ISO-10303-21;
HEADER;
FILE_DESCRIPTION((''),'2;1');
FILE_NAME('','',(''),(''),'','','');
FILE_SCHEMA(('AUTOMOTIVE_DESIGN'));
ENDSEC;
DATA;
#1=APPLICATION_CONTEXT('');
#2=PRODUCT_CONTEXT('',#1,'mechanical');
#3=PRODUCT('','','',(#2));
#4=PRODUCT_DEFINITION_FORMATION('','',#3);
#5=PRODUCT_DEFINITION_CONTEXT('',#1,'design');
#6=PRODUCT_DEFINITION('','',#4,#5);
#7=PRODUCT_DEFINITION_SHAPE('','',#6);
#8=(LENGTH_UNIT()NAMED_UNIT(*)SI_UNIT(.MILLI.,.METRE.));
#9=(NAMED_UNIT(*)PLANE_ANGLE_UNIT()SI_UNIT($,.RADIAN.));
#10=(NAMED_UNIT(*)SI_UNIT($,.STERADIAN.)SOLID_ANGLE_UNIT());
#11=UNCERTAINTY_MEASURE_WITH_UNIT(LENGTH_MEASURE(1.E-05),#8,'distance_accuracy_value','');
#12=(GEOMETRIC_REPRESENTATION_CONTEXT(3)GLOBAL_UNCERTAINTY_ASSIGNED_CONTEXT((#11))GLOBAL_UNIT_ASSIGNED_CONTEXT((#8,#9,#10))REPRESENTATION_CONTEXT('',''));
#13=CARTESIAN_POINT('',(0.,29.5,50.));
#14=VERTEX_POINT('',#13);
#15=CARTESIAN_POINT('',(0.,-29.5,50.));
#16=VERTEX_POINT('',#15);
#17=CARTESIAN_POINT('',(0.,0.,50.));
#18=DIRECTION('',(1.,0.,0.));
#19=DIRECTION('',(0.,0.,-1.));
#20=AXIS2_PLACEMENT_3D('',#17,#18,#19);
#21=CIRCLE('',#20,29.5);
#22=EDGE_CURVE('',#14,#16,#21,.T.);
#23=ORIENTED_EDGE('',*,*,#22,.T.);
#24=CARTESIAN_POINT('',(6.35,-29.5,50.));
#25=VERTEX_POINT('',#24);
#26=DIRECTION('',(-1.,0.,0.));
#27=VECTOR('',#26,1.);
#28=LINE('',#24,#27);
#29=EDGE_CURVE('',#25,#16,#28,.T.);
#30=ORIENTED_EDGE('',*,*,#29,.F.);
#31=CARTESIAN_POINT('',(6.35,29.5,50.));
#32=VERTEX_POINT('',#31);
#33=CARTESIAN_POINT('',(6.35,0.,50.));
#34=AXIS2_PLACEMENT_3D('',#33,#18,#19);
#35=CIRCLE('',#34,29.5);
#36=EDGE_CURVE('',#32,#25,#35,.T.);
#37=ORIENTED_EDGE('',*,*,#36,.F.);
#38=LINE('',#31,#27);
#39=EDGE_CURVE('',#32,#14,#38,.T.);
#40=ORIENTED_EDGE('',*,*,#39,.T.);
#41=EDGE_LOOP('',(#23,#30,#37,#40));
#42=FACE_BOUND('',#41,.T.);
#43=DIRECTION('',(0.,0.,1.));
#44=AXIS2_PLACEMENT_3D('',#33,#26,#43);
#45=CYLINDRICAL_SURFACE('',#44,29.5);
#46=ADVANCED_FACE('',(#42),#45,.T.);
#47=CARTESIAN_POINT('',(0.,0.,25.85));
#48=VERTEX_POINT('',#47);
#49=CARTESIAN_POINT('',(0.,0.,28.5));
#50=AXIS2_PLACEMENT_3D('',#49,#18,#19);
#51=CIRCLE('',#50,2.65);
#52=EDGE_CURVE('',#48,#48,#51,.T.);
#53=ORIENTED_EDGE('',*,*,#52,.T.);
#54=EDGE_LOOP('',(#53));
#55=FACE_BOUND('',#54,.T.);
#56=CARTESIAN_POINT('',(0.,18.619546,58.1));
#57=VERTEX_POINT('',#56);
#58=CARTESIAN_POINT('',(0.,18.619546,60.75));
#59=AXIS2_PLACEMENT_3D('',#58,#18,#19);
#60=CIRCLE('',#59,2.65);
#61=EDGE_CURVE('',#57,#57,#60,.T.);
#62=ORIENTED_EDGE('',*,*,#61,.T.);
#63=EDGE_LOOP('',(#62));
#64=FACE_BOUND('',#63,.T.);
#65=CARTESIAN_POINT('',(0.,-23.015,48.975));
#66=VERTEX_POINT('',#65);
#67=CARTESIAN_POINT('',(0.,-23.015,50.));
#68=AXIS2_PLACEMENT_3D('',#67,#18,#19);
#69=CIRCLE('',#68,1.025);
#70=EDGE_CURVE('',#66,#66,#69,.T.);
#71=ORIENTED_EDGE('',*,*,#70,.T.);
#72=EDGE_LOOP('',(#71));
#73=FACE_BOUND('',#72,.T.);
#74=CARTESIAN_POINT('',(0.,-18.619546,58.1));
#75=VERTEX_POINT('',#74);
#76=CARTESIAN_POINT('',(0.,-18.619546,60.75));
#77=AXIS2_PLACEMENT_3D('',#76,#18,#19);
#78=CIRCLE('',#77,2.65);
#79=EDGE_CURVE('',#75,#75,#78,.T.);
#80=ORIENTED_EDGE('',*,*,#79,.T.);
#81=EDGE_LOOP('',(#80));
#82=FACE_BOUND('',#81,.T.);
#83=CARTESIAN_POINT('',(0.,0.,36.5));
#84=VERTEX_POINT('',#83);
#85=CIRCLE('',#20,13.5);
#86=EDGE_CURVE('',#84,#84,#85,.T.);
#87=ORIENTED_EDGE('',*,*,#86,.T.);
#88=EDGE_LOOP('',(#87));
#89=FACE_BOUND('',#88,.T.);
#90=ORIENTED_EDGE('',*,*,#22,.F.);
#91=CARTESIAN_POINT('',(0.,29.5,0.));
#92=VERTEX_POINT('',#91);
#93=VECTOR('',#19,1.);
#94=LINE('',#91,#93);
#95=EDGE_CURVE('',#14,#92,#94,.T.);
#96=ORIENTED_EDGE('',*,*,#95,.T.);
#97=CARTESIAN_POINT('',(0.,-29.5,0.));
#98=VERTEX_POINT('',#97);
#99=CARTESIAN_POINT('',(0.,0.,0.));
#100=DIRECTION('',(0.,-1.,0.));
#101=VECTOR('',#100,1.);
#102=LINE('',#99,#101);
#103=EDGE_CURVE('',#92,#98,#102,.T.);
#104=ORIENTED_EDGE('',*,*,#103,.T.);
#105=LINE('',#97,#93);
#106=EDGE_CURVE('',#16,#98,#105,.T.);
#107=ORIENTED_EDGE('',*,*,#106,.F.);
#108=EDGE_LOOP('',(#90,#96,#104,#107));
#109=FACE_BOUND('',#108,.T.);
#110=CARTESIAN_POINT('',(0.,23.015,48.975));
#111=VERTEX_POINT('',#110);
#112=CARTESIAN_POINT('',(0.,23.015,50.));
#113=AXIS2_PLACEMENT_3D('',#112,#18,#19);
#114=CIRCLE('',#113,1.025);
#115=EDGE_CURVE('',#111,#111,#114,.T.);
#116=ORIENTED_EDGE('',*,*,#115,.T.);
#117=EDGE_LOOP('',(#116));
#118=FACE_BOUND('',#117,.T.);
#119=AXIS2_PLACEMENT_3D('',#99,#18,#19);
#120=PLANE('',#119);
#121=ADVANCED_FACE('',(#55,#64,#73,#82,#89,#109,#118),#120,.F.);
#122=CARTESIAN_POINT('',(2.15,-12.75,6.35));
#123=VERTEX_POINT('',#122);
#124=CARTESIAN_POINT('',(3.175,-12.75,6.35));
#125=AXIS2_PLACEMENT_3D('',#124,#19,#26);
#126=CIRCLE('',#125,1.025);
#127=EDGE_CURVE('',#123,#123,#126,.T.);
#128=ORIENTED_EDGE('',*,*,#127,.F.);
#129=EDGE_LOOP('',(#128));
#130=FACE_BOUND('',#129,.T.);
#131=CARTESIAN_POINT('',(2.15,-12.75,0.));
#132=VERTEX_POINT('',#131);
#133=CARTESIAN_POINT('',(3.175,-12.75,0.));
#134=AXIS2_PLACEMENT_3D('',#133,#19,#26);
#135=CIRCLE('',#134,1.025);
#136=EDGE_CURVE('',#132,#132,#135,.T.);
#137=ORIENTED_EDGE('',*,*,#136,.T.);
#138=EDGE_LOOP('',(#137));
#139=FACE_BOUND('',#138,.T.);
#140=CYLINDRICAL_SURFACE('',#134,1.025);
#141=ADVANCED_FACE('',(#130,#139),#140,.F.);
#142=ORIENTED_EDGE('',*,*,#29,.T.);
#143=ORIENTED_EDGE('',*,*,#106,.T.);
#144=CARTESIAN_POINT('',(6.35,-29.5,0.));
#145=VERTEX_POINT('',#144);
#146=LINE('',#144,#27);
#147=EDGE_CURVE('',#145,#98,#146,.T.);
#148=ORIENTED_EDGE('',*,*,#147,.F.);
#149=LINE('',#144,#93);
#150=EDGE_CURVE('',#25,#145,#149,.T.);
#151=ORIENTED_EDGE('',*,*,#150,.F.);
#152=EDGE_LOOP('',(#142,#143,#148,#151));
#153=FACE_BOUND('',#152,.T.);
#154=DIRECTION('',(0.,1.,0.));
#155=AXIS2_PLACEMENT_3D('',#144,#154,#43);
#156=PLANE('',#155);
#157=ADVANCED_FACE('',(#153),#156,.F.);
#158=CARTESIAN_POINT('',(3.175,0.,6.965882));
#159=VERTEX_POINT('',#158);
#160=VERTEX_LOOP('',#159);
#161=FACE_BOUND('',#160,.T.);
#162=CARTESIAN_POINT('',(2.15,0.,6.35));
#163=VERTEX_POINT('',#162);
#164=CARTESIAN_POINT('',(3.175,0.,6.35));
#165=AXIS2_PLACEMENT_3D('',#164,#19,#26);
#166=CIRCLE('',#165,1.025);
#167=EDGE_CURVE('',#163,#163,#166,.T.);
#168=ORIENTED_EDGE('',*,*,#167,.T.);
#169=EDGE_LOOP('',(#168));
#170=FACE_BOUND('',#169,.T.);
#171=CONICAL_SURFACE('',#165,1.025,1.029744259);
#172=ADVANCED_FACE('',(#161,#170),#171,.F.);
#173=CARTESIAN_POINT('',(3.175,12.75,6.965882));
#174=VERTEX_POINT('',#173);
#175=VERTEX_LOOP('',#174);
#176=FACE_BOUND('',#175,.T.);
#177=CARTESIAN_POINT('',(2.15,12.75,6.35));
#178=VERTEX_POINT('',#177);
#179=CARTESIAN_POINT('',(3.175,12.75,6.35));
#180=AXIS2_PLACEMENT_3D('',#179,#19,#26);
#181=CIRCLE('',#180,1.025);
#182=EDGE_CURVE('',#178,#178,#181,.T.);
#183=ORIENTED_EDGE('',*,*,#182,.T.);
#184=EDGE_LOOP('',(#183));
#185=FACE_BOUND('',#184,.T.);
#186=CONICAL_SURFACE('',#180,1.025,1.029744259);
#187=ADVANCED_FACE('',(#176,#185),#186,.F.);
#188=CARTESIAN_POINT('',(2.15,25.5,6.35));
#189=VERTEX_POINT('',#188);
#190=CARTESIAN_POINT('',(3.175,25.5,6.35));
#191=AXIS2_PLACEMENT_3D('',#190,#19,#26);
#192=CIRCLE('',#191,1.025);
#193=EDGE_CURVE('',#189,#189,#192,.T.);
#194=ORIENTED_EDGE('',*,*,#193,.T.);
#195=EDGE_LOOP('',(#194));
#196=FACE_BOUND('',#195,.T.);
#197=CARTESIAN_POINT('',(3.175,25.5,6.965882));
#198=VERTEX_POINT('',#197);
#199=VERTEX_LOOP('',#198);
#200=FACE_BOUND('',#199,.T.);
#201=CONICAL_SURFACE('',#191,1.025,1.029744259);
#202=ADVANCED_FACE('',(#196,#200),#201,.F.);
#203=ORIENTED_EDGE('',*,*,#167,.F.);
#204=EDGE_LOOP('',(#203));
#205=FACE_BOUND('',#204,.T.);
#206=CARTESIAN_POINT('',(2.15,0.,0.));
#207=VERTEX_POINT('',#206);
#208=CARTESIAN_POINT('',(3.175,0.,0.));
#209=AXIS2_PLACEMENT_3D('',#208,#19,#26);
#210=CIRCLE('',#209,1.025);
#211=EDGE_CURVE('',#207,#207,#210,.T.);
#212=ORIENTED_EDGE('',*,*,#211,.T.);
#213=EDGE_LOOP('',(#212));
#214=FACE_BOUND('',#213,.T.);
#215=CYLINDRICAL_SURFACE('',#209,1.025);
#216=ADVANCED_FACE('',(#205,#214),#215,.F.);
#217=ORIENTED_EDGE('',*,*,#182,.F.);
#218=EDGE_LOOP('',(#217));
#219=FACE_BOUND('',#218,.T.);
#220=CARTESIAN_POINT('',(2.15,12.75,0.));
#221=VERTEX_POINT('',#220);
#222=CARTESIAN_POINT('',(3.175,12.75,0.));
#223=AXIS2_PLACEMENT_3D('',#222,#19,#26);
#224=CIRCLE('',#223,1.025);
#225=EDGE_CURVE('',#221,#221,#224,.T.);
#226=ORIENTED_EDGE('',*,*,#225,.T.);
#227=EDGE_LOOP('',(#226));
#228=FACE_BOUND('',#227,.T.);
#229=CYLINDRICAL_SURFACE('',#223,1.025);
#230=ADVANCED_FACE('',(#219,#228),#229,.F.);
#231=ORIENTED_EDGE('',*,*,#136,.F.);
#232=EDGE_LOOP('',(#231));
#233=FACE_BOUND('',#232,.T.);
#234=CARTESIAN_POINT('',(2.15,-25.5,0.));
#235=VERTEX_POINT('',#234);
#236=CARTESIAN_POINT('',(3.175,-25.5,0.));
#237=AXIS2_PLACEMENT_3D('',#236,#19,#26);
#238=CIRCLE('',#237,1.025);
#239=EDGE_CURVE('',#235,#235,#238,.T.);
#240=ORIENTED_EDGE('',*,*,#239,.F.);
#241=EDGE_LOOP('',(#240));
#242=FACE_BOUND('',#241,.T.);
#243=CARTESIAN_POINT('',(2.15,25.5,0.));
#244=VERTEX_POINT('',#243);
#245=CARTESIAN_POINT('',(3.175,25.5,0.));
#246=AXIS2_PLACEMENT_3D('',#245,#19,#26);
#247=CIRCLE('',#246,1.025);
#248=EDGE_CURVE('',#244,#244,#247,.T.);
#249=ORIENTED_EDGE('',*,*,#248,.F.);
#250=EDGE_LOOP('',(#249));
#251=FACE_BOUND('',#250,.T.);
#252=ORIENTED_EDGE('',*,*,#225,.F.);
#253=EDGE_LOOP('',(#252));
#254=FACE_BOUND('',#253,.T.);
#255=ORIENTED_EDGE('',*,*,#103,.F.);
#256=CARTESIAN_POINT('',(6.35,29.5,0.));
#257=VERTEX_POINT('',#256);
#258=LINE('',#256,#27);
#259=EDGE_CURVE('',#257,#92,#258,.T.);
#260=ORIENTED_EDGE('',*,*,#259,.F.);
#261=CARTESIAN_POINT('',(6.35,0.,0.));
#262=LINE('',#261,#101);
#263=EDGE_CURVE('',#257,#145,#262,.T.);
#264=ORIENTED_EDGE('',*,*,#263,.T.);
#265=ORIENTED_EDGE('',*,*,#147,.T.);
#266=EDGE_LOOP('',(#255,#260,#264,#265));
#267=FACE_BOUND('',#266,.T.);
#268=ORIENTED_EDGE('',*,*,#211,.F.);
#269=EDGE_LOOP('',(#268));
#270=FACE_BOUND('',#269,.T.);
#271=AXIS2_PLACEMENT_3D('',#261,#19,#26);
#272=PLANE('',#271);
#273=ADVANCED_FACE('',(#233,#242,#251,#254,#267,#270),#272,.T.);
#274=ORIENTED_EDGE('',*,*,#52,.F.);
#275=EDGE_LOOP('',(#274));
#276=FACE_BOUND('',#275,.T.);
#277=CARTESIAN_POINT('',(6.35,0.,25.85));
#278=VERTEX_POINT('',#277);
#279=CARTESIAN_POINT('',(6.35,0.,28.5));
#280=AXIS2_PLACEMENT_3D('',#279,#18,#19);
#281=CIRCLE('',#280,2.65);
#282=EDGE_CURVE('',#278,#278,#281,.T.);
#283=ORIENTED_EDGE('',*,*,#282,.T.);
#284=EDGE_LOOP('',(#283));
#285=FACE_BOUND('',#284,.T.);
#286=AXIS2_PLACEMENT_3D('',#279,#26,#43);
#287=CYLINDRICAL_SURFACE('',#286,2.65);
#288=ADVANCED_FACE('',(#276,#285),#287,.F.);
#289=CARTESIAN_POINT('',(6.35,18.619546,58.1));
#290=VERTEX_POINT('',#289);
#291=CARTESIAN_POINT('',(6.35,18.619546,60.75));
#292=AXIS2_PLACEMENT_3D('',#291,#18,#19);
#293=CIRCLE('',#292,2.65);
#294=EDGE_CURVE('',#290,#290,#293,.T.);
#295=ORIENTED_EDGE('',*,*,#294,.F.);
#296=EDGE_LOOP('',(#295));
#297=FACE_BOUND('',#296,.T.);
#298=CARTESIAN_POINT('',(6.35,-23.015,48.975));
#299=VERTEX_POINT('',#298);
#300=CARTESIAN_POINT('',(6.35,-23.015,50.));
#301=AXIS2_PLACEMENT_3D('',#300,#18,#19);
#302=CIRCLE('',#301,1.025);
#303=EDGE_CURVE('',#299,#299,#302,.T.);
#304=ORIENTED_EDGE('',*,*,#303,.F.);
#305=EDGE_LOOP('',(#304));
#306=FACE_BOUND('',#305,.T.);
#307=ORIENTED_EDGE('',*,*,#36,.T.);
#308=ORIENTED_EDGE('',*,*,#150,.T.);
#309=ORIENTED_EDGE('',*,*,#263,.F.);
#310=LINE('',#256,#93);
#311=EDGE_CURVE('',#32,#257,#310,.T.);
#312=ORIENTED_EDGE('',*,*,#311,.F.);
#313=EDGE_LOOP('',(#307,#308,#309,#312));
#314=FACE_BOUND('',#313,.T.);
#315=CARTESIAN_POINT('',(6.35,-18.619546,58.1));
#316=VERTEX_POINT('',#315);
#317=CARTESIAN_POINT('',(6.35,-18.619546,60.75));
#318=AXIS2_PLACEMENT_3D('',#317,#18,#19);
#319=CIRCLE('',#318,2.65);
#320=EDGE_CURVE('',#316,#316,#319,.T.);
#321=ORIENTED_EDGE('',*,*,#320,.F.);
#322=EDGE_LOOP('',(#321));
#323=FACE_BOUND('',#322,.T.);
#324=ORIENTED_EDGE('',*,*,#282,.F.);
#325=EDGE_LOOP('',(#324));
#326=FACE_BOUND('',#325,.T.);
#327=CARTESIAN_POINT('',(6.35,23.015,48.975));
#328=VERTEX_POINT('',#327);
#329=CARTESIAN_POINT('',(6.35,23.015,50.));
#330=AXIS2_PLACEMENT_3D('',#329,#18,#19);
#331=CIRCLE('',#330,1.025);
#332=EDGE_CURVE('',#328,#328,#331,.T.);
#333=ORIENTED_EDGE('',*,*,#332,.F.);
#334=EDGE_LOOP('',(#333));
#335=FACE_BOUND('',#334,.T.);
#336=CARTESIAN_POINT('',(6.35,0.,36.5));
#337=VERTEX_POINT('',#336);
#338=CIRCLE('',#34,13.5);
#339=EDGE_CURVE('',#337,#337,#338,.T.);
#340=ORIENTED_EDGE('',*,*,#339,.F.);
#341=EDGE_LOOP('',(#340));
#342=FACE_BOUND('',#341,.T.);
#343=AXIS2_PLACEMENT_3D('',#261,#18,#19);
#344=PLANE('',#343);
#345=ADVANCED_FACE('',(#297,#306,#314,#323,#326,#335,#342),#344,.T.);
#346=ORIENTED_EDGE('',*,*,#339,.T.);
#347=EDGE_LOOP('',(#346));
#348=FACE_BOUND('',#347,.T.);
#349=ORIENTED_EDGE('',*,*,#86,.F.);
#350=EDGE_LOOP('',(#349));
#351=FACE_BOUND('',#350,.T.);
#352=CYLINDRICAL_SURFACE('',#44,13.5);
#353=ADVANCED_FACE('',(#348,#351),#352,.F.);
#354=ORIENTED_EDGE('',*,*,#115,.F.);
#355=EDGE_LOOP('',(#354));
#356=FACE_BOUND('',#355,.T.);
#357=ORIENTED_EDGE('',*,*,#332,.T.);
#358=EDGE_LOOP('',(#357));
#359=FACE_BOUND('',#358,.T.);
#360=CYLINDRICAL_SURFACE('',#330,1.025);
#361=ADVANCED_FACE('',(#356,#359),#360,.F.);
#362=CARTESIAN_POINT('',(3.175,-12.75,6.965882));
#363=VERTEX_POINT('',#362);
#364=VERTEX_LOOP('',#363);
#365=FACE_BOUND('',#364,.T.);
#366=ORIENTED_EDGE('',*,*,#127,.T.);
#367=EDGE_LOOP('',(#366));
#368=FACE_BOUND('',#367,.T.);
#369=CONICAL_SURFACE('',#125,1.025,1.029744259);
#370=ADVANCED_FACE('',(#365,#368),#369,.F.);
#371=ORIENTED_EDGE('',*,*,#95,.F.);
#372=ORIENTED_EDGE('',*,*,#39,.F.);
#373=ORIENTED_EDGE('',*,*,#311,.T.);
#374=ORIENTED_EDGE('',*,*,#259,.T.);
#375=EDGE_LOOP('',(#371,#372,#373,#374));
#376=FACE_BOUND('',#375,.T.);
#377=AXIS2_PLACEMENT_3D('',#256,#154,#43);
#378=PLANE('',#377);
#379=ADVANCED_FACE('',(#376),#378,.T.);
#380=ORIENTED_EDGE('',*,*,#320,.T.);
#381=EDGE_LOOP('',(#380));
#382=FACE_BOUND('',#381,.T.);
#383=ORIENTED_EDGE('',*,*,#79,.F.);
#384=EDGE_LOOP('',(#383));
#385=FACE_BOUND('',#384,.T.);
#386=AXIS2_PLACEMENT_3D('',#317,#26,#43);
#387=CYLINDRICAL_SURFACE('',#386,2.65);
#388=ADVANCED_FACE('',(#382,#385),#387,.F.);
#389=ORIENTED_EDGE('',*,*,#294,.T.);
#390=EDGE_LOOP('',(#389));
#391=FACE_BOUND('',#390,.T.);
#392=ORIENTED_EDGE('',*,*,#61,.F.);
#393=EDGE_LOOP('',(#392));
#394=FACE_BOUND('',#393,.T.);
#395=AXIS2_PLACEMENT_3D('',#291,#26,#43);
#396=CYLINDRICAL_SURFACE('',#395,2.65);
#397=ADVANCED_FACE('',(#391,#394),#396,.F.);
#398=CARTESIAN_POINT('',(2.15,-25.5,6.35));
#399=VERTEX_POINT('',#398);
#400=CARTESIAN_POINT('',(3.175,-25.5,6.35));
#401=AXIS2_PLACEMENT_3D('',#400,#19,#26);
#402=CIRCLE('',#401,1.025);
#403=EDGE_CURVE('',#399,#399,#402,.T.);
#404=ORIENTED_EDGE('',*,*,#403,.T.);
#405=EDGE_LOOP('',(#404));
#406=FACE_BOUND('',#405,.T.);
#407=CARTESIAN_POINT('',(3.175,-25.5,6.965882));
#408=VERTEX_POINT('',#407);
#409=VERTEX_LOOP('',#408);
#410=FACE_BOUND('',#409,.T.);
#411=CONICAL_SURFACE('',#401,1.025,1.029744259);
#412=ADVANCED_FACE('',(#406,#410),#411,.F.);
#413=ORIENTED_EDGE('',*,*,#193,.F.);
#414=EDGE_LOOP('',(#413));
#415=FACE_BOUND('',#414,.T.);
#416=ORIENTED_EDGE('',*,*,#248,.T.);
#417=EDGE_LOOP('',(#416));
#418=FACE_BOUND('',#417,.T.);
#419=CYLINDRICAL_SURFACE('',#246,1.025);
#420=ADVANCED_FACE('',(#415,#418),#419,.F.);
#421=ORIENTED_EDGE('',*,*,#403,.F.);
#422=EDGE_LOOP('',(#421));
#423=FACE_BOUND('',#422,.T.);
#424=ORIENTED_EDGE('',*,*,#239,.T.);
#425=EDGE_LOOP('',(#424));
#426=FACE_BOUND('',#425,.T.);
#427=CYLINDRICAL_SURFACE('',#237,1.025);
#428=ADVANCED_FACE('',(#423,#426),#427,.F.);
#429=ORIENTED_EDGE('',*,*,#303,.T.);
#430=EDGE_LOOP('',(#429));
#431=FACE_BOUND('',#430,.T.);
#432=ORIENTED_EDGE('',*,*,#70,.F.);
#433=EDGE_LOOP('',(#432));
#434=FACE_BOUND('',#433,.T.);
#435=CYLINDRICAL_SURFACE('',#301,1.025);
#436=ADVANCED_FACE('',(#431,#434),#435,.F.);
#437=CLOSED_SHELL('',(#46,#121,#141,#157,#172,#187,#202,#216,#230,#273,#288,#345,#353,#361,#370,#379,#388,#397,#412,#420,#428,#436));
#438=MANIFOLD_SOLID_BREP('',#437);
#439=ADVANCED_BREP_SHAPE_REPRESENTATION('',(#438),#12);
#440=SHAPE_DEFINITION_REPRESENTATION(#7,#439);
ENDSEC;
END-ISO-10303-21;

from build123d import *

# Parameters (mm, degrees)
SKETCH1_R                    = 2.65
SKETCH1_R_2                  = 13.5
BOSS_EXTRUDE1_DEPTH          = 6.35
M2_5X0_45_TAPPED_HOLE1_D     = 2.05
M2_5X0_45_TAPPED_HOLE2_D     = 2.05
M2_5X0_45_TAPPED_HOLE2_DEPTH = 6.35
M2_5X0_45_TAPPED_HOLE2_TIP   = 0.615882135


with BuildPart() as part:
    # Sketch1 → Boss-Extrude1 (new body)
    with BuildSketch(Plane(origin=(0, 0, 0), x_dir=(0, 0, -1), z_dir=(1, 0, 0))):
        with BuildLine():
            Line((-50, 29.5), (0, 29.5))
            Line((0, 29.5), (0, -29.5))
            Line((0, -29.5), (-50, -29.5))
            ThreePointArc((-50, -29.5), (-79.5, 0), (-50, 29.5))
        make_face()
        with Locations((-60.75, -18.619546181)):
            Circle(SKETCH1_R, mode=Mode.SUBTRACT)
        with Locations((-28.5, 0)):
            Circle(SKETCH1_R, mode=Mode.SUBTRACT)
        with Locations((-60.75, 18.619546181)):
            Circle(SKETCH1_R, mode=Mode.SUBTRACT)
        with Locations((-50, 0)):
            Circle(SKETCH1_R_2, mode=Mode.SUBTRACT)
    extrude(amount=BOSS_EXTRUDE1_DEPTH)

    # M2.5x0.45 Tapped Hole1 (through all)
    with Locations(Plane(origin=(6.35, 0, 0), x_dir=(0, 0, -1), z_dir=(1, 0, 0))):
        with Locations((-50, -23.015), (-50, 23.015)):
            Hole(M2_5X0_45_TAPPED_HOLE1_D / 2)

    # M2.5x0.45 Tapped Hole2
    with Locations(Plane(origin=(0, 0, 0), x_dir=(-1, 0, 0), z_dir=(0, 0, -1))):
        with Locations((-3.175, 0), (-3.175, 12.75), (-3.175, 25.5), (-3.175, -12.75), (-3.175, -25.5)):
            Hole(M2_5X0_45_TAPPED_HOLE2_D / 2, depth=M2_5X0_45_TAPPED_HOLE2_DEPTH)
            with Locations((0, 0, -(M2_5X0_45_TAPPED_HOLE2_DEPTH + M2_5X0_45_TAPPED_HOLE2_TIP / 2))):  # 118° drill point
                Cone(0, M2_5X0_45_TAPPED_HOLE2_D / 2, M2_5X0_45_TAPPED_HOLE2_TIP, mode=Mode.SUBTRACT)


solid = part.part
